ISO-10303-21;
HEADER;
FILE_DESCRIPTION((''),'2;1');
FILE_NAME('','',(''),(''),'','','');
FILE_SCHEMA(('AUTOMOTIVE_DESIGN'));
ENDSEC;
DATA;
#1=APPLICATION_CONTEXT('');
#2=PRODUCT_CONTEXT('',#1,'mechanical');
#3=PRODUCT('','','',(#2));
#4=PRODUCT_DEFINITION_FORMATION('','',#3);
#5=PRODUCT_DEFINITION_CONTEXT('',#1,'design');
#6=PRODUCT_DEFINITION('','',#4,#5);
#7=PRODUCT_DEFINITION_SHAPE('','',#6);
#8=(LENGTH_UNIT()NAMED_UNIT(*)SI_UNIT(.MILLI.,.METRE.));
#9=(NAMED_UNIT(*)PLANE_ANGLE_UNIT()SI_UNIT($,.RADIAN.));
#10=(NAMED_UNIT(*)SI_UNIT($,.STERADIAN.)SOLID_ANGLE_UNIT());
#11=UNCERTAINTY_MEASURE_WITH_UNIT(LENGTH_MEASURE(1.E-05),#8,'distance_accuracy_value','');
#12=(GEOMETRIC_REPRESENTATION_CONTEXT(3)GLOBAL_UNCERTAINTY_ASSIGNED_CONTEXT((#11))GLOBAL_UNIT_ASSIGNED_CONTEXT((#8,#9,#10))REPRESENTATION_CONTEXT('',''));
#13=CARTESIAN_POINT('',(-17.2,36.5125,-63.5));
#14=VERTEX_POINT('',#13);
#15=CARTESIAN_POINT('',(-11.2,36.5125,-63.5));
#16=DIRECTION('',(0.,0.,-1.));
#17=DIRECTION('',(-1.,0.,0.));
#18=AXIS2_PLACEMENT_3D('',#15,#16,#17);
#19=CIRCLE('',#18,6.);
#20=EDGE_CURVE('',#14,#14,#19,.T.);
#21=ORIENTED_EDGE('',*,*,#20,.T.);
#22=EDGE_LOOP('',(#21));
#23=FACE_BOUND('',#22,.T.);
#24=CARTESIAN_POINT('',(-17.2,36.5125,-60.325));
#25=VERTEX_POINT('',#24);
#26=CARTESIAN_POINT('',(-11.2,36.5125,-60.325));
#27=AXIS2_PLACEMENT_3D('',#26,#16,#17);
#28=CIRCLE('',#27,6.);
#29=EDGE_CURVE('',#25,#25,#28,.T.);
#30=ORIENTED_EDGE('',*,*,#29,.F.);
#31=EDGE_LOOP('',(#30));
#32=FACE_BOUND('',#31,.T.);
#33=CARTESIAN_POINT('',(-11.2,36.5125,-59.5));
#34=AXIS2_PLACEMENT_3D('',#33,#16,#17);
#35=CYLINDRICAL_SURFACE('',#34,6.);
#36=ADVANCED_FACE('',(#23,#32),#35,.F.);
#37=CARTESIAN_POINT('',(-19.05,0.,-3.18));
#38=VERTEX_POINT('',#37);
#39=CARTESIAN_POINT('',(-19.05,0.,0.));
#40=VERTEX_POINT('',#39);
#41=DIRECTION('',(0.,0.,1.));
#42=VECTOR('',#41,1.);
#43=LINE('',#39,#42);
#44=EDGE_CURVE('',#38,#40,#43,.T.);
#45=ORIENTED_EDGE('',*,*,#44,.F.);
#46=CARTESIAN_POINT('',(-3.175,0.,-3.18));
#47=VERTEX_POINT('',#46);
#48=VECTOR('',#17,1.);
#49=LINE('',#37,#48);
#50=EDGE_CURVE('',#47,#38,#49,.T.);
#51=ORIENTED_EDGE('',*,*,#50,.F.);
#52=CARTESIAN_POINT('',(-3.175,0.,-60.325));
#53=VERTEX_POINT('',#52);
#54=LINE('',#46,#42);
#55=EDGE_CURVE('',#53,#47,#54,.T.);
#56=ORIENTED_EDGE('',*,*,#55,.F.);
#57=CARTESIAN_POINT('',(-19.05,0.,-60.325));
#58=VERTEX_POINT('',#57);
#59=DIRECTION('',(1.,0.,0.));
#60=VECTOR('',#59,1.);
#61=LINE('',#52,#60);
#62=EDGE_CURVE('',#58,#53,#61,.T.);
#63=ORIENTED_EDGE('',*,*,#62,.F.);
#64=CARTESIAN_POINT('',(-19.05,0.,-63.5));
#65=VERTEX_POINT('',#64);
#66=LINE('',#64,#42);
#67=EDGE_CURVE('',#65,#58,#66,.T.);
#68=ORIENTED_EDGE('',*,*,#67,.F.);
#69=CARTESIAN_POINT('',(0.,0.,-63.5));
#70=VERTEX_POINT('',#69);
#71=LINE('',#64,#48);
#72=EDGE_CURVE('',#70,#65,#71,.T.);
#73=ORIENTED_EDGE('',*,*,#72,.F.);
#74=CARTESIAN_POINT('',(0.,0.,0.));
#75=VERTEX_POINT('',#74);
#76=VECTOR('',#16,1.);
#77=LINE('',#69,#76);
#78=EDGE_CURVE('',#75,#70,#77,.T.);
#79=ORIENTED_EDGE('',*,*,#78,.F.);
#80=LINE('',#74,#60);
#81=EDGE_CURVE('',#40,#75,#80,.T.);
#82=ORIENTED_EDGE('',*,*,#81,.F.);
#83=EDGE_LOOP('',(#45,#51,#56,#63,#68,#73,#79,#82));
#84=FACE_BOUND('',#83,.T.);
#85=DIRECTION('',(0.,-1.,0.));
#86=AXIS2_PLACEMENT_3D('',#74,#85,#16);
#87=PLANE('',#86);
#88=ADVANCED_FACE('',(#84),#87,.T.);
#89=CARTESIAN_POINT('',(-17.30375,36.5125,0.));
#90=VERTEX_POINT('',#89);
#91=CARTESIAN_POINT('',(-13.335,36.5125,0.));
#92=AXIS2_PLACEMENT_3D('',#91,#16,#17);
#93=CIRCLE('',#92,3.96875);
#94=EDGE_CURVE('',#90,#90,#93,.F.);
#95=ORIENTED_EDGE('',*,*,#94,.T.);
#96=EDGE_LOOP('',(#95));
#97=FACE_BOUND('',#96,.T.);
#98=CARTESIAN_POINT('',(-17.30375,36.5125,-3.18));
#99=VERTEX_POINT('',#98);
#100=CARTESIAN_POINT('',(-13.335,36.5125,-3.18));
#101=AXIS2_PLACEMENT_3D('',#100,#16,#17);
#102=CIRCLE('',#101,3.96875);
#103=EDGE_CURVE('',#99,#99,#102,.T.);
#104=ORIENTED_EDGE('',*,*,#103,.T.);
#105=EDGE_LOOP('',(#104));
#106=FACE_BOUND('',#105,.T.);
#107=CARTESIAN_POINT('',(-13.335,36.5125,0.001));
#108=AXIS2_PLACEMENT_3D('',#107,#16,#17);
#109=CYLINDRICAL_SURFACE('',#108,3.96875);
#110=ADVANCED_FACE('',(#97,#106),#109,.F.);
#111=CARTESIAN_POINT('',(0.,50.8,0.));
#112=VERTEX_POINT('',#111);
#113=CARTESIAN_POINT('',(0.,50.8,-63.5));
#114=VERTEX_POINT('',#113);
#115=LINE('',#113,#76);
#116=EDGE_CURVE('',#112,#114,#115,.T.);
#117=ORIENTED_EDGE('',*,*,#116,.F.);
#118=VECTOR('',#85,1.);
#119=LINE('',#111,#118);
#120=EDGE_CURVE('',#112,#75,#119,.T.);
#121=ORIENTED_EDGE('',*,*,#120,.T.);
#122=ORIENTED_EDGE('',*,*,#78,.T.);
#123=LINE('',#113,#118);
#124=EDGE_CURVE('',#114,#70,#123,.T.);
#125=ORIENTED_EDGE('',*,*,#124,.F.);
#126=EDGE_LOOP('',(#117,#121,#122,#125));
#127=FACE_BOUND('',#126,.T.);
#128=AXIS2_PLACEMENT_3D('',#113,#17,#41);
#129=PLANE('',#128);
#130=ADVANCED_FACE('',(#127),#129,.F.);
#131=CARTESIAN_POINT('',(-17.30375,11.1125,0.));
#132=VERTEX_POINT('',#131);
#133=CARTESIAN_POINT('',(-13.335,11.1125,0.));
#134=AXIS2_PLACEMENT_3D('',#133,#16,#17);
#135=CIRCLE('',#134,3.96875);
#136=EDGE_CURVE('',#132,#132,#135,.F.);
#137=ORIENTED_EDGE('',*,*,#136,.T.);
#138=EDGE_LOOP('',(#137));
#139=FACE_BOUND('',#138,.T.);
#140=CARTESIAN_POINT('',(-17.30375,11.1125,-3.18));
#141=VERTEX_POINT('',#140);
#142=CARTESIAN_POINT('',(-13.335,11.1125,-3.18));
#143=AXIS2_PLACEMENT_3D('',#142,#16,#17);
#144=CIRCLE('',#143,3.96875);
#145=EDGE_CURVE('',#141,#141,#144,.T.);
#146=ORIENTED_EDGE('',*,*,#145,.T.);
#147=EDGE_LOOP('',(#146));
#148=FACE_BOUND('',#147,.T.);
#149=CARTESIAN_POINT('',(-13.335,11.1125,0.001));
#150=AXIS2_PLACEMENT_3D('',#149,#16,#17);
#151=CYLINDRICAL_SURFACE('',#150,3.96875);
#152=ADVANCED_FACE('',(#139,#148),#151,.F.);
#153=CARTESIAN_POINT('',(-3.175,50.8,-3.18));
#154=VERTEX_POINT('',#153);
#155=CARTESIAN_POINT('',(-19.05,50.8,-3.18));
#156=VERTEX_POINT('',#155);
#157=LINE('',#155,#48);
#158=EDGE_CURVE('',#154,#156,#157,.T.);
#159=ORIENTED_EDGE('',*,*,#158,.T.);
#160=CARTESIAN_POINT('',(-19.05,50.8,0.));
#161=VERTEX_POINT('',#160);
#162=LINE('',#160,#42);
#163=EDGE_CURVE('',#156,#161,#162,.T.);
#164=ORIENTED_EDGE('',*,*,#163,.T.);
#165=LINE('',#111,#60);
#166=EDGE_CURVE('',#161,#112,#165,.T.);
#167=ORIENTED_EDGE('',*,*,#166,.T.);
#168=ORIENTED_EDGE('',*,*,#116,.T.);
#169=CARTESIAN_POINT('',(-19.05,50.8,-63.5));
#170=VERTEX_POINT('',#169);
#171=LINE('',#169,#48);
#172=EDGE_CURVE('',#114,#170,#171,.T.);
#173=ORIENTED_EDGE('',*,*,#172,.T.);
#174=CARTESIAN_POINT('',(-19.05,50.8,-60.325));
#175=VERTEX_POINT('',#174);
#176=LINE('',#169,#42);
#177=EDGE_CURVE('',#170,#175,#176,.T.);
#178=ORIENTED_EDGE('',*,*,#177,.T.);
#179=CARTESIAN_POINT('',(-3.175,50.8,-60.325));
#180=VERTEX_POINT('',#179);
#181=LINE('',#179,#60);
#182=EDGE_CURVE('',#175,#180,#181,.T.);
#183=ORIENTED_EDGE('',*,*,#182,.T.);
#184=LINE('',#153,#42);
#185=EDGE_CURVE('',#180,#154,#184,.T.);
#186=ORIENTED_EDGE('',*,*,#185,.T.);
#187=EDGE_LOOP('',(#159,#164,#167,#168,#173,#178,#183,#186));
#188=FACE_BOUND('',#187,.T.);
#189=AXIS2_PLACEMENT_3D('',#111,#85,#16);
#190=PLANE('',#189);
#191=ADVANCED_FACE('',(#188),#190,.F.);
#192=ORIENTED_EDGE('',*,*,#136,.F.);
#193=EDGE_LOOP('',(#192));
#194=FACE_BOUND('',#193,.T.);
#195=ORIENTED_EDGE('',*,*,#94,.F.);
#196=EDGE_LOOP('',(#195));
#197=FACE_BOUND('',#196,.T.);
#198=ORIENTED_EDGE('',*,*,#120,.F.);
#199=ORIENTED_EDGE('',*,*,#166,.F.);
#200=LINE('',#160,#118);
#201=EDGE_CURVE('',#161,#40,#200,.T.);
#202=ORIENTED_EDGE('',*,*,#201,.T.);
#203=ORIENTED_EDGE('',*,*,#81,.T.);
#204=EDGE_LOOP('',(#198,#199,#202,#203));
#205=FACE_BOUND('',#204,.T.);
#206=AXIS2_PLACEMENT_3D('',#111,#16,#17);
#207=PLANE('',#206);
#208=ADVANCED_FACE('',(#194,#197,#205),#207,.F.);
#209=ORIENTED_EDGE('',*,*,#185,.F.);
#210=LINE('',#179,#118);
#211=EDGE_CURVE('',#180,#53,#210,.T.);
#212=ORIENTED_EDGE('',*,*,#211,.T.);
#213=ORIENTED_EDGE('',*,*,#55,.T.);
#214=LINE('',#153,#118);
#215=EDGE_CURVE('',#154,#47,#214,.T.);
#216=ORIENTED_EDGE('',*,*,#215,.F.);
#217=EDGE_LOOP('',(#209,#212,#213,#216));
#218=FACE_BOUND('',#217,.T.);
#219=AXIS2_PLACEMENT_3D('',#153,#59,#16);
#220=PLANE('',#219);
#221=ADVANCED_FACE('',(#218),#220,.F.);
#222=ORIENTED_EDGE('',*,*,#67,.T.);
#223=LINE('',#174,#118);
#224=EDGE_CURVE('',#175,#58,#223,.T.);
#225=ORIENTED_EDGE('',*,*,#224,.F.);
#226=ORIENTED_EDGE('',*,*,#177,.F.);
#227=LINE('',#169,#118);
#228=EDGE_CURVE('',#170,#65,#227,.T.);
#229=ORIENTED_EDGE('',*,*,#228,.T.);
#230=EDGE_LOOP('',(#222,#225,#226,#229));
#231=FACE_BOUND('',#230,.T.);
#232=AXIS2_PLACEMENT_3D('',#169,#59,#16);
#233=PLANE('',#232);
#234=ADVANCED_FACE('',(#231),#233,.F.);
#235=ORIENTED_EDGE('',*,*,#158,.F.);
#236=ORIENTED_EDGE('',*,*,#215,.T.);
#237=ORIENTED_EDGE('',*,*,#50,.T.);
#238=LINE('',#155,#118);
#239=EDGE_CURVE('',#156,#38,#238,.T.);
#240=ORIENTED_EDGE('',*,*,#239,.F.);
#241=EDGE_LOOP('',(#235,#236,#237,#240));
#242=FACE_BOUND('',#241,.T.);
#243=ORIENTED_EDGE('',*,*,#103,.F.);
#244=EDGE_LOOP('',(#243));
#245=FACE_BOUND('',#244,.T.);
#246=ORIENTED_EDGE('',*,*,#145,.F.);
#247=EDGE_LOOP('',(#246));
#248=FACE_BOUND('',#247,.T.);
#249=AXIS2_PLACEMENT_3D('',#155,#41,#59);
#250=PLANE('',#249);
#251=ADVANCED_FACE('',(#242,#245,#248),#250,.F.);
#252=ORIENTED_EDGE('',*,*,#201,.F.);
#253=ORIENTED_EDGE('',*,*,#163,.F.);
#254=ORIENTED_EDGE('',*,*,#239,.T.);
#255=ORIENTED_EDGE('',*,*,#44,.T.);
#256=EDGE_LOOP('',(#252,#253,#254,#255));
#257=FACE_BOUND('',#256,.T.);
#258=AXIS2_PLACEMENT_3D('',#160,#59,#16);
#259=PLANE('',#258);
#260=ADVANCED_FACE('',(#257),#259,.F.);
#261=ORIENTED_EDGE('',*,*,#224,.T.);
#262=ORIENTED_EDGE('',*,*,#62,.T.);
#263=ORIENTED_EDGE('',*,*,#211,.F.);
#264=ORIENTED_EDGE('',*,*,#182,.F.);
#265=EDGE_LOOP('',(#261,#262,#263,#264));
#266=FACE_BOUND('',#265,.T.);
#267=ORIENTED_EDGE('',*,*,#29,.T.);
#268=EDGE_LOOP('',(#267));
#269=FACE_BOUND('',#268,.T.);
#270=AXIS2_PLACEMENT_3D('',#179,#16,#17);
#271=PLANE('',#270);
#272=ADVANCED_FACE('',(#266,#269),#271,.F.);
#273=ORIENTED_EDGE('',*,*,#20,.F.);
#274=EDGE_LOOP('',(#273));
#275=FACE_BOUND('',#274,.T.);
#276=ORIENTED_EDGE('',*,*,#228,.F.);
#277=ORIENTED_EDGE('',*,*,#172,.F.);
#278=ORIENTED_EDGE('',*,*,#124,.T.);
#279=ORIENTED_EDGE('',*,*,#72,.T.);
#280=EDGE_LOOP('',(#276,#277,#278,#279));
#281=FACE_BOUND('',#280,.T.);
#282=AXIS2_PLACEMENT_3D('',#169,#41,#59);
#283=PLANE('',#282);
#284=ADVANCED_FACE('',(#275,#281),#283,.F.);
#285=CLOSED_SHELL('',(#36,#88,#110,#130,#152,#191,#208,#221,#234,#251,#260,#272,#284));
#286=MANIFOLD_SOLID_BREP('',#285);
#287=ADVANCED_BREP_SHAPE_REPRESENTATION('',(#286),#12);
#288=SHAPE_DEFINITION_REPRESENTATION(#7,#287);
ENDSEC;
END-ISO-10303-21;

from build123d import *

# Parameters (mm, degrees)
BOSS_EXTRUDE3_DEPTH    = 50.8
SKETCH8_R              = 6
PANEL_MOUNT_HOLE_DEPTH = 4
CUT_EXTRUDE1_REACH     = 5.18
SKETCH9_R              = 3.96875


with BuildPart() as part:
    # Sketch1 → Boss-Extrude3 (new body)
    with BuildSketch(Plane(origin=(0, 0, 0), x_dir=(1, 0, 0), z_dir=(0, 1, 0))):
        Polygon((-19.05, 63.5), (-19.05, 60.325), (-3.175, 60.325), (-3.175, 3.18), (-19.05, 3.18), (-19.05, 0), (0, 0), (0, 63.5), align=None)
    extrude(amount=BOSS_EXTRUDE3_DEPTH)

    # Sketch8 → Panel Mount Hole (cut)
    with BuildSketch(Plane(origin=(0, 0, -63.5), x_dir=(-1, 0, 0), z_dir=(0, 0, -1))):
        with Locations((11.2, 36.5125)):
            Circle(SKETCH8_R)
    extrude(amount=-PANEL_MOUNT_HOLE_DEPTH, mode=Mode.SUBTRACT)

    # Sketch9 → Cut-Extrude1 (cut, up to next)
    with BuildSketch(Plane(origin=(0, 0, -3.18), x_dir=(-1, 0, 0), z_dir=(0, 0, -1)), mode=Mode.PRIVATE) as cut_extrude1_sk1:
        with Locations((13.335, 36.5125)):
            Circle(SKETCH9_R)
    cut_extrude1_tool1 = extrude(cut_extrude1_sk1.sketch, amount=-CUT_EXTRUDE1_REACH, mode=Mode.PRIVATE) & part.part
    add(cut_extrude1_tool1.solids().sort_by_distance((-13.335, 36.5125, -3.18))[0], mode=Mode.SUBTRACT)
    # Sketch9 → Cut-Extrude1 (cut, up to next)
    with BuildSketch(Plane(origin=(0, 0, -3.18), x_dir=(-1, 0, 0), z_dir=(0, 0, -1)), mode=Mode.PRIVATE) as cut_extrude1_sk2:
        with Locations((13.335, 11.1125)):
            Circle(SKETCH9_R)
    cut_extrude1_tool2 = extrude(cut_extrude1_sk2.sketch, amount=-CUT_EXTRUDE1_REACH, mode=Mode.PRIVATE) & part.part
    add(cut_extrude1_tool2.solids().sort_by_distance((-13.335, 11.1125, -3.18))[0], mode=Mode.SUBTRACT)


solid = part.part
